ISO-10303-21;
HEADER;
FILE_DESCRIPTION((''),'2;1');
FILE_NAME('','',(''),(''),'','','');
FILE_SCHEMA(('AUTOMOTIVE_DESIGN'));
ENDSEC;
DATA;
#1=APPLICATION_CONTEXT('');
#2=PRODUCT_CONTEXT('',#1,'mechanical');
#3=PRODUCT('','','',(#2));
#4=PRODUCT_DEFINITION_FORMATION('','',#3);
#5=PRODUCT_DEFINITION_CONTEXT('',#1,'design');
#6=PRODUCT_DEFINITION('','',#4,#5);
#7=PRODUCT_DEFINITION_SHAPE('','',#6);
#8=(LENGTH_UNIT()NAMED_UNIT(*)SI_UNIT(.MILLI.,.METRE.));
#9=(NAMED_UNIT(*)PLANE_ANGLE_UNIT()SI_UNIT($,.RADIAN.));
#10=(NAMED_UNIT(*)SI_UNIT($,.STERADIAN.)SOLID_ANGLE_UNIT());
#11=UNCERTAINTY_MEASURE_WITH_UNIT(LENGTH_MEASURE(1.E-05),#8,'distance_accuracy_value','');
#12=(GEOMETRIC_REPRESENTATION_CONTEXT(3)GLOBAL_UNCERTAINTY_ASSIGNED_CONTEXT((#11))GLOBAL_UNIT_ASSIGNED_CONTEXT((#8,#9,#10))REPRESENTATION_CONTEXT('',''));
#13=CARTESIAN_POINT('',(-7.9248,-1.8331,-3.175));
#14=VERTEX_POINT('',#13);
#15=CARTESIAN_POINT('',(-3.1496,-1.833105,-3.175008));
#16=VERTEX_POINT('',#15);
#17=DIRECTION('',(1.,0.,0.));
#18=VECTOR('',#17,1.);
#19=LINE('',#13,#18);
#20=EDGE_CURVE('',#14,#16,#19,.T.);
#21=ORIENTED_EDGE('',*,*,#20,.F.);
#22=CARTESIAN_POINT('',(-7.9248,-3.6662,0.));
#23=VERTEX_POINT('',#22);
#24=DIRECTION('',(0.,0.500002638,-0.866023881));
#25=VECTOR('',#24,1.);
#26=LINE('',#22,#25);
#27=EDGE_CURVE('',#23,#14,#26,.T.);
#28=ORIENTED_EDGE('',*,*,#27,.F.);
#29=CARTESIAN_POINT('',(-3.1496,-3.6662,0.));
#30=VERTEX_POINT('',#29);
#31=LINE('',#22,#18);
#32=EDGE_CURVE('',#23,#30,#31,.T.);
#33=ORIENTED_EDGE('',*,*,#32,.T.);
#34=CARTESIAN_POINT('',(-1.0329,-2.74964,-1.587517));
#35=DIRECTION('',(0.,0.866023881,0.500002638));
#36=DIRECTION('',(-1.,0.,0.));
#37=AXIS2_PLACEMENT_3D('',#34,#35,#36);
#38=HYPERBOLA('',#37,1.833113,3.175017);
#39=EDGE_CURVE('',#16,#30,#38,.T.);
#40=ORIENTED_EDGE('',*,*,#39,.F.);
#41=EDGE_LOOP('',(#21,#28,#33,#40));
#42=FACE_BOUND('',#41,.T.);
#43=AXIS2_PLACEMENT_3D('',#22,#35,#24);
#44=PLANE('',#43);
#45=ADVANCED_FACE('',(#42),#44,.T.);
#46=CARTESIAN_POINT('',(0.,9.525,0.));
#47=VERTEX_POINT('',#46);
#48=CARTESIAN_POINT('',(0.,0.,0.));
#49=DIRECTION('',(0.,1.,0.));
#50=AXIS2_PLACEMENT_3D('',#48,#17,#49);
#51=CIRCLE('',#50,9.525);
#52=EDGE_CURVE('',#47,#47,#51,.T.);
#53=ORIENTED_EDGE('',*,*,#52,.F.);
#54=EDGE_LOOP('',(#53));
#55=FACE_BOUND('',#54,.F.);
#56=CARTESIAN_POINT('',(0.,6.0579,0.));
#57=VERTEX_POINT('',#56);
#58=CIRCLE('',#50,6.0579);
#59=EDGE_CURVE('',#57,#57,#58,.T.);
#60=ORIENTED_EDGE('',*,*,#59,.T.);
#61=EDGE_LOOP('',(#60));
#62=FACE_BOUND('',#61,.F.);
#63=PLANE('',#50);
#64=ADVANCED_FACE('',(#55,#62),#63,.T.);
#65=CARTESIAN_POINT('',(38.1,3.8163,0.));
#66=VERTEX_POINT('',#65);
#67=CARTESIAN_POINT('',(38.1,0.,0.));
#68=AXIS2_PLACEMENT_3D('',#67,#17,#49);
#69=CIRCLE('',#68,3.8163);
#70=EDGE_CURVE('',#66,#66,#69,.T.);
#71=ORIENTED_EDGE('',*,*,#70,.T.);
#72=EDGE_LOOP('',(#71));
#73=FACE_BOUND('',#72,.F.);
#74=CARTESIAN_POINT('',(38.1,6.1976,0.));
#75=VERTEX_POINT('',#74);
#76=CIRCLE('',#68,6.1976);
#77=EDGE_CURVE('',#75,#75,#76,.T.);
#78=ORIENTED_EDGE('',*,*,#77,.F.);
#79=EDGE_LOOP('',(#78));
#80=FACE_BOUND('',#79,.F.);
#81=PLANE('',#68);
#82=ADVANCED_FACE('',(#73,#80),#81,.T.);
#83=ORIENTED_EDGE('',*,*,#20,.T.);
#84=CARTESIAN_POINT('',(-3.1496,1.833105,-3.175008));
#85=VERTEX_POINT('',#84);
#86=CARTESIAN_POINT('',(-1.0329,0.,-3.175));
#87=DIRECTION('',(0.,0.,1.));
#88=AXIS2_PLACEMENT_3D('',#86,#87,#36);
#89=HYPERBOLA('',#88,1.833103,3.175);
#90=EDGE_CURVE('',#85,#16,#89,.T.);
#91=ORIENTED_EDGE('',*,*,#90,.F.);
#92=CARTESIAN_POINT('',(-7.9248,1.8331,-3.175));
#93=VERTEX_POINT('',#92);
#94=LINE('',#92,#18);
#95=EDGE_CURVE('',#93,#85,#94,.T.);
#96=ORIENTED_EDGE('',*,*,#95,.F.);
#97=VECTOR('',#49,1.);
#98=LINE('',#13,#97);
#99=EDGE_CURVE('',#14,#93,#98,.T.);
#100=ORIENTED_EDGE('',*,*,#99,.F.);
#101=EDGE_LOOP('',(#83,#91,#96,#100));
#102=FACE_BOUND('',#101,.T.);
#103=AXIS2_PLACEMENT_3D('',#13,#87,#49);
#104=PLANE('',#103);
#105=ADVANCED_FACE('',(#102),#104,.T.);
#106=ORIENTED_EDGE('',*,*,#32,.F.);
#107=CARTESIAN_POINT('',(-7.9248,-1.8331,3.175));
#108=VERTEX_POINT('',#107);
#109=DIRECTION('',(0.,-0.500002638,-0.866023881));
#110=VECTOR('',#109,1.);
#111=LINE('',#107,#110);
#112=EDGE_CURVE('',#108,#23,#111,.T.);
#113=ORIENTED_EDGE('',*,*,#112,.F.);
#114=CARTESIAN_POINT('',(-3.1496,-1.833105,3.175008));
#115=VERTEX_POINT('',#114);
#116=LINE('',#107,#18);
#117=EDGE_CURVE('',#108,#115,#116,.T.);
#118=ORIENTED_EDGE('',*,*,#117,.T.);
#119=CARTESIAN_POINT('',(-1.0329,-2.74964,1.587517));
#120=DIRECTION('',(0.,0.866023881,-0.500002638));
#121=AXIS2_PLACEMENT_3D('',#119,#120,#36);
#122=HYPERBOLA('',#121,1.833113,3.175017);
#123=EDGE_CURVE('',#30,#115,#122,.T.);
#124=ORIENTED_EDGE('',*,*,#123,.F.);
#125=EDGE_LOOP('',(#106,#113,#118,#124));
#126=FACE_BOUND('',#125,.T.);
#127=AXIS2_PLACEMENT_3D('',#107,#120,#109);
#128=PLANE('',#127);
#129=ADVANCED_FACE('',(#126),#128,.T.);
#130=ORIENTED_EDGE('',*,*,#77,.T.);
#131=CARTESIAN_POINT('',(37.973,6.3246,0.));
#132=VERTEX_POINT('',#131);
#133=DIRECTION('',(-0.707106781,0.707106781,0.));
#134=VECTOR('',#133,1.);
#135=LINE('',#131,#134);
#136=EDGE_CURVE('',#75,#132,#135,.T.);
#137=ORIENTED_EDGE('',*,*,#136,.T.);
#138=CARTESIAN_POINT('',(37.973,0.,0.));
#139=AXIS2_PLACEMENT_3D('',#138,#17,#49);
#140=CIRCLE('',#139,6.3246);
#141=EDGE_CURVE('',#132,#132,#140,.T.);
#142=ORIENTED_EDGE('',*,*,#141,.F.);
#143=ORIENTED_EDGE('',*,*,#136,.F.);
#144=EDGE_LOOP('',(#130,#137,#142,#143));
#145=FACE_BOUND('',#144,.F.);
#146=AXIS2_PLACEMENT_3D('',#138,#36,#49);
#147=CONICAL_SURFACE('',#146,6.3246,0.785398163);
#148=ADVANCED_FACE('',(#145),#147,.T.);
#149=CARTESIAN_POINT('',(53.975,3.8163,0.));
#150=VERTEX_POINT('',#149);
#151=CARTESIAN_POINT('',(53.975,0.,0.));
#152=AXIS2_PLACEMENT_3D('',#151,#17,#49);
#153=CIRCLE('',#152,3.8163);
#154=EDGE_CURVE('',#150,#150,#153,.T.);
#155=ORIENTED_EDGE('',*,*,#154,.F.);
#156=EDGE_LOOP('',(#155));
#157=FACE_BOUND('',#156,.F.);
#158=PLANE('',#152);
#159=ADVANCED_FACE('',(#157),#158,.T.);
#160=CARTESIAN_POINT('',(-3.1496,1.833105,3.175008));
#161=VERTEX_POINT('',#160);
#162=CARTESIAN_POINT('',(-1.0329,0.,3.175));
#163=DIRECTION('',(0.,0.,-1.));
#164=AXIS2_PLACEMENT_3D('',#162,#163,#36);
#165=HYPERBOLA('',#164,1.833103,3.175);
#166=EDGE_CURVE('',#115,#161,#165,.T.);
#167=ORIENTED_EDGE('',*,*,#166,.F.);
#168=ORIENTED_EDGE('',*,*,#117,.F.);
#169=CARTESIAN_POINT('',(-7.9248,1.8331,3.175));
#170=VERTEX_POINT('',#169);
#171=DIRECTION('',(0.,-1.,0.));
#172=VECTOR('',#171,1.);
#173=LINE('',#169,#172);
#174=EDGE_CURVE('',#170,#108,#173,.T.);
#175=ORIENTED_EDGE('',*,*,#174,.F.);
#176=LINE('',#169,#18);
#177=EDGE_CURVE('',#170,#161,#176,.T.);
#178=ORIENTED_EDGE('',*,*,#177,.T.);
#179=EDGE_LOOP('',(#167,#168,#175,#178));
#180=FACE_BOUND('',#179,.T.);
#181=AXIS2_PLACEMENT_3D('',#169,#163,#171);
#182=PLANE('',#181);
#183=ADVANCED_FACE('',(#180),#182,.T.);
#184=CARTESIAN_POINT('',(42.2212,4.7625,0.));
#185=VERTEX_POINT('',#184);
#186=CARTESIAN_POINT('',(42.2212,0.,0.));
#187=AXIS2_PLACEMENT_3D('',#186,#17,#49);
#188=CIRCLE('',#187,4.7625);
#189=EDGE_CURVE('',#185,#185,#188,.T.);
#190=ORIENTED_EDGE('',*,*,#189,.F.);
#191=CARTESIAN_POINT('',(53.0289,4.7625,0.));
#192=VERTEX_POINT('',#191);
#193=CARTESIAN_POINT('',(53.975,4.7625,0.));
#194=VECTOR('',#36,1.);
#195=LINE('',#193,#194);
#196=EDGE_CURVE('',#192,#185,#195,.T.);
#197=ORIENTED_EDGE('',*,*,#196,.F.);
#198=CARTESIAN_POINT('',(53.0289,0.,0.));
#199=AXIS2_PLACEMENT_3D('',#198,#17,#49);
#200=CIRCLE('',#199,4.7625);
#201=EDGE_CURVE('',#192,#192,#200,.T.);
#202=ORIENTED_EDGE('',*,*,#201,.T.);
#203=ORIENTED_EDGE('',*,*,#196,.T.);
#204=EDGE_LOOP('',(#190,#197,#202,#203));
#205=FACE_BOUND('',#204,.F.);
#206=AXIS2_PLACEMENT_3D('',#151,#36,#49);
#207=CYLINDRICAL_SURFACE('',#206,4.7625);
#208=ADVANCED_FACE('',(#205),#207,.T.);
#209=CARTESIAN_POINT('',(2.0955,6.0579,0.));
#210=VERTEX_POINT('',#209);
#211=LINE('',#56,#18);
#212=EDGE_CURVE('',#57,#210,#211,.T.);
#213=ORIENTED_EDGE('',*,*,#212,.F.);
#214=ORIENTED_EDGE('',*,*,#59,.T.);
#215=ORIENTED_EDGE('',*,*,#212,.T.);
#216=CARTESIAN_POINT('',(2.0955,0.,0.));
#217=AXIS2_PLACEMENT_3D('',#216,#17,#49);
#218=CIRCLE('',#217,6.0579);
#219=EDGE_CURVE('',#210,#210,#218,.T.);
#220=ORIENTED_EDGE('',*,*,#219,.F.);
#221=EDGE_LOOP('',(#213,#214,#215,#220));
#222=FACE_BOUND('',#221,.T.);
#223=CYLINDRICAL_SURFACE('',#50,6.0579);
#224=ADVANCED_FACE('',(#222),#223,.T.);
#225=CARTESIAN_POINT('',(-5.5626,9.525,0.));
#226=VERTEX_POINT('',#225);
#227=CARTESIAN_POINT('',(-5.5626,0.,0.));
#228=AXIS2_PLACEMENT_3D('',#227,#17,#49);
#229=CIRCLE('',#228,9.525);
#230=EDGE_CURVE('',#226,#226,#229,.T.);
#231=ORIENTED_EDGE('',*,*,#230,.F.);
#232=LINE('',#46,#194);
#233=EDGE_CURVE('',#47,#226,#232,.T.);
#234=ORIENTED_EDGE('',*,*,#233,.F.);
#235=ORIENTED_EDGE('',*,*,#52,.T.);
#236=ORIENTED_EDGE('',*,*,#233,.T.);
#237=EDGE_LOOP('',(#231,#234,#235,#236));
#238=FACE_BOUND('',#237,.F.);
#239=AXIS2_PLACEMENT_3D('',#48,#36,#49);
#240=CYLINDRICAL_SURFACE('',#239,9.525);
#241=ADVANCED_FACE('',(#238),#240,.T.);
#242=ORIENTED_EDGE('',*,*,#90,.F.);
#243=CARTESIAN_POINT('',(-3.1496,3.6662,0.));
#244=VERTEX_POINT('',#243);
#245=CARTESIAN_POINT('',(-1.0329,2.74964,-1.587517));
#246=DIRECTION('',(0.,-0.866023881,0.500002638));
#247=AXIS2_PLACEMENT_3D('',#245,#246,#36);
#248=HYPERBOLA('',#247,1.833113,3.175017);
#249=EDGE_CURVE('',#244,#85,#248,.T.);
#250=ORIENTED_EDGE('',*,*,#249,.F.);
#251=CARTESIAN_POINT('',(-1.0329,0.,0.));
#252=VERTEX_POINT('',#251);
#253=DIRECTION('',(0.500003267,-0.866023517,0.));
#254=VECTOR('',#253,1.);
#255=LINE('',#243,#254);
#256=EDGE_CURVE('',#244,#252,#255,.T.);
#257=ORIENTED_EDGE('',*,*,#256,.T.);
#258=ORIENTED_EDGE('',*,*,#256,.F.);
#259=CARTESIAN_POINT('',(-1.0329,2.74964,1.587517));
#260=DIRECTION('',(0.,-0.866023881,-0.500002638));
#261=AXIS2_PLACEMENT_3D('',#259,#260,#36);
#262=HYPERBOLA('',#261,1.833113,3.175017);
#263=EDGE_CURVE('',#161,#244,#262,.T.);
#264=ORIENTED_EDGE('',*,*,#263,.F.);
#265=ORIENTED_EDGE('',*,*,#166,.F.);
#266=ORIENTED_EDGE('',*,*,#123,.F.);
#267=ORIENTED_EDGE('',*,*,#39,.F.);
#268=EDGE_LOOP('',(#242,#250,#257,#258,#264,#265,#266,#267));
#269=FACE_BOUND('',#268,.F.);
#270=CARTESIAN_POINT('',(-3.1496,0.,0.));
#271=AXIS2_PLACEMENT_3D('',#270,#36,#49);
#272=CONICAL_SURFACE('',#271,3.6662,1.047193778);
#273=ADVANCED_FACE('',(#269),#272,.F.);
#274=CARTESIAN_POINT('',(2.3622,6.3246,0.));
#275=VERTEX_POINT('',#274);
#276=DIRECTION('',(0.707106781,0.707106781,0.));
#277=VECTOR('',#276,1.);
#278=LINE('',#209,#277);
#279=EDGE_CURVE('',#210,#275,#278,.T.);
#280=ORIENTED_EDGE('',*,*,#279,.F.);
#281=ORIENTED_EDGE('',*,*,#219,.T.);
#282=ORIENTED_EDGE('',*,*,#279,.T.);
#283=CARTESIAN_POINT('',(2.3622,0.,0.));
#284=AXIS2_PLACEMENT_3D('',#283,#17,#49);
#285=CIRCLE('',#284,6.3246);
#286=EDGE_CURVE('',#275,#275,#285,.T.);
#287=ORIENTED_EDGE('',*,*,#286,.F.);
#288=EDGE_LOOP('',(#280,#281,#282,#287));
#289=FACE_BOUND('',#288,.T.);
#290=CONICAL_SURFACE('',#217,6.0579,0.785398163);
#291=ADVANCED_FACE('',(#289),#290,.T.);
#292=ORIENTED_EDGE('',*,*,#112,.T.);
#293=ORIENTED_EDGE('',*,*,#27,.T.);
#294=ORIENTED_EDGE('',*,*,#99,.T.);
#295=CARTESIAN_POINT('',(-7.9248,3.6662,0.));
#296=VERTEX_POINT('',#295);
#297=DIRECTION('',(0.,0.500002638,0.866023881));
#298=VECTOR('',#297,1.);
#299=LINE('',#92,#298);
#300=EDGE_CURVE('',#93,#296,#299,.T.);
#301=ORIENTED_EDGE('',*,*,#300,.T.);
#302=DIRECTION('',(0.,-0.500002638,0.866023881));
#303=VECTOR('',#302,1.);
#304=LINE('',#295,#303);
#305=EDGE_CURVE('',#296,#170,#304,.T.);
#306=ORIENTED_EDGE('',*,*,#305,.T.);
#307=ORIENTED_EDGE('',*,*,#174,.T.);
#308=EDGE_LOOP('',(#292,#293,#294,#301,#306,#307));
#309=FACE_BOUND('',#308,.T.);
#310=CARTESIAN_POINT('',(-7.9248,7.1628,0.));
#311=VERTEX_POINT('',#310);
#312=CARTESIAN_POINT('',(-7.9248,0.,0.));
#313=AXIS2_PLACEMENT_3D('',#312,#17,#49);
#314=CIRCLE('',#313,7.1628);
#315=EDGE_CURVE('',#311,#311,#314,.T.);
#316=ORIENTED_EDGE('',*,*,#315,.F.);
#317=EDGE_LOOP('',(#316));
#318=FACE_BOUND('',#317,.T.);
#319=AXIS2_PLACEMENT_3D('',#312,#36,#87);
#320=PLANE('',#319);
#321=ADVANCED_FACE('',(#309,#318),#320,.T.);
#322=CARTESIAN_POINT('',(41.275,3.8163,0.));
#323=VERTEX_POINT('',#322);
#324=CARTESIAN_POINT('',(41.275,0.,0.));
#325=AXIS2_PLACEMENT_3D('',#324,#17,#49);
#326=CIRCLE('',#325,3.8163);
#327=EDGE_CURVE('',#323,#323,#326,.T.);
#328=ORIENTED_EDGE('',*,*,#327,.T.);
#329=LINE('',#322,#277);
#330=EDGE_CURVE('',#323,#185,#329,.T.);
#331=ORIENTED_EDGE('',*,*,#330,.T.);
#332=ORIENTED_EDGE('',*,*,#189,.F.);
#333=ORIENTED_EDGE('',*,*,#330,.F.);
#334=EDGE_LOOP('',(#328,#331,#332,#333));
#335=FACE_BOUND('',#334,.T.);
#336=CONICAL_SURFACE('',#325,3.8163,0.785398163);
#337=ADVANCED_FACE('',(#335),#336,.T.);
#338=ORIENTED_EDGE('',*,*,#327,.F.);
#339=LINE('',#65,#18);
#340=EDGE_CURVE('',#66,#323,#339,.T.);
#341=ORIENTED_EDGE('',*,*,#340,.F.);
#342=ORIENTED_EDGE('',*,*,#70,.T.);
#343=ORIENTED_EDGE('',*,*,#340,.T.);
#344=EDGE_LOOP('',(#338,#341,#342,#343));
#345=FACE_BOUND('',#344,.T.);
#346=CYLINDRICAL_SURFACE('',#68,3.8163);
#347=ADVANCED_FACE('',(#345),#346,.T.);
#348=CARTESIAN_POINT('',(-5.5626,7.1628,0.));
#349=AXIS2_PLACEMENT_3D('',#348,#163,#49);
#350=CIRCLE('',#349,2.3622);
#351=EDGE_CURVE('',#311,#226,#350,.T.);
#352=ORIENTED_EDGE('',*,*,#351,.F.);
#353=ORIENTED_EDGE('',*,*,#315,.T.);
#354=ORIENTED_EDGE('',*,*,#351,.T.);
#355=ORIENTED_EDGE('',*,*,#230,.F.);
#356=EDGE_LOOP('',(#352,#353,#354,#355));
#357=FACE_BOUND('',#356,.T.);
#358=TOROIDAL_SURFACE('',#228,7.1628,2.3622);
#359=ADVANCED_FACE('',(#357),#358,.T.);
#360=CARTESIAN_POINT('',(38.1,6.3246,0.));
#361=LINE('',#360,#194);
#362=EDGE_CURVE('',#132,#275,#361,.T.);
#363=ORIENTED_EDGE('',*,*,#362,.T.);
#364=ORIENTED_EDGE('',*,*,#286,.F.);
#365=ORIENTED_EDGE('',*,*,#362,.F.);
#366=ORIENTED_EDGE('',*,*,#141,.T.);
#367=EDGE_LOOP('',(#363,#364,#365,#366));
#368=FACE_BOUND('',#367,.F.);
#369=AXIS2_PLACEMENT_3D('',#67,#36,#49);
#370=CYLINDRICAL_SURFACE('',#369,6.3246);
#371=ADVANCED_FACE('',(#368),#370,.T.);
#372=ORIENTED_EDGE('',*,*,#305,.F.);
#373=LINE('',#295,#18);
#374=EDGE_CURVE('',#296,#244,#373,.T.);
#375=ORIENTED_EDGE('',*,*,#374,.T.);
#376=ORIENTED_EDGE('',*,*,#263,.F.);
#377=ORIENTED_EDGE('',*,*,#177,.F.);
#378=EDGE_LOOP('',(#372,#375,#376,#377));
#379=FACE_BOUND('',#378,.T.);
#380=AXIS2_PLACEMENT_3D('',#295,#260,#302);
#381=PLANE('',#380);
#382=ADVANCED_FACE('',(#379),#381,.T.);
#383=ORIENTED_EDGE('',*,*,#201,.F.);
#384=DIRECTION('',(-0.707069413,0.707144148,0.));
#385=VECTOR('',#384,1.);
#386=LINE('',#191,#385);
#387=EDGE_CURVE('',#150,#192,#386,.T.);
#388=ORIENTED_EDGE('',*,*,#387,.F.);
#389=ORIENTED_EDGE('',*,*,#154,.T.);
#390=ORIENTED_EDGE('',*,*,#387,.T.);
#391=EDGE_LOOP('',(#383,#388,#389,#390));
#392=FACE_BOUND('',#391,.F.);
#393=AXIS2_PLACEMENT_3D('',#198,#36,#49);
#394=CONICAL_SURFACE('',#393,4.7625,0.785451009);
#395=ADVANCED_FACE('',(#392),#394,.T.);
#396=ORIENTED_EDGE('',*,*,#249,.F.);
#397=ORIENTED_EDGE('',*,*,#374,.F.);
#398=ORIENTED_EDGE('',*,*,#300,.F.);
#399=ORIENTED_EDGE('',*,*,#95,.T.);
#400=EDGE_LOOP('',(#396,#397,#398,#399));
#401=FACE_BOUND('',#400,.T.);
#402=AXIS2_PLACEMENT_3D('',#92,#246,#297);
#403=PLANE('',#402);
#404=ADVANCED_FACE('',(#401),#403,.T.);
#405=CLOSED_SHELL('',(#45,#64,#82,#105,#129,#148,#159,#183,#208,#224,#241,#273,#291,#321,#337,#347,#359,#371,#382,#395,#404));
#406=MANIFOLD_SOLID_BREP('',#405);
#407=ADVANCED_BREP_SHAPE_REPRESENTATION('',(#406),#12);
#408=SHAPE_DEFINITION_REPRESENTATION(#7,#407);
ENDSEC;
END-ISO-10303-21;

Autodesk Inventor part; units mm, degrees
ref_plane "YZ Plane" through (0, 0, 0) normal (1, 0, 0) x (0, 1, 0)
ref_plane "XZ Plane" through (0, 0, 0) normal (0, 1, 0) x (-1, 0, 0)
ref_plane "XY Plane" through (0, 0, 0) normal (0, 0, 1) x (1, 0, 0)
sketch "Sketch1" plane through (0, 0, 0) normal (0, 0, 1) x (1, 0, 0)
  line L0 (-1.0329, 0) -> (53.975, 0)
  line L1 (53.975, 0) -> (53.975, 4.7625)
  line L2 (53.975, 4.7625) -> (38.1, 4.7625)
  line L3 (38.1, 4.7625) -> (38.1, 6.3246)
  line L4 (38.1, 6.3246) -> (0, 6.3246)
  line L5 (0, 6.3246) -> (0, 9.525)
  line L6 (0, 9.525) -> (-7.9248, 9.525)
  line L7 (-7.9248, 9.525) -> (-7.9248, 3.6662)
  line L8 (-7.9248, 3.6662) -> (-3.1496, 3.6662)
  line L9 (-3.1496, 3.6662) -> (-1.0329, 0)
  line L10 (-20.3048, 0) -> (66.355, 0) projected
  line L11 (0, -1.905) -> (0, 11.43) projected
  line L12 (0, 6.0579) -> (2.0955, 6.0579)
  line L13 (2.0955, 6.0579) -> (2.3622, 6.3246)
  line L14 (38.1, 4.7625) -> (38.1, 3.8163)
  line L15 (38.1, 3.8163) -> (41.275, 3.8163)
  line L16 (41.275, 3.8163) -> (42.2212, 4.7625)
  line L17 (0, 6.0579) -> (0, 6.3246)
  dimension "d0" = 9.525
  dimension "d1" = 12.6492
  dimension "d2" = 19.05
  dimension "d3" = 7.3323
  dimension "d5" = 15.875
  dimension "d6" = 7.9248
  dimension "d7" = 4.7752
  dimension "d8" = 60
  dimension "d9" = 53.975
  dimension "d19" = 45
  dimension "d20" = 12.1158
  dimension "d21" = 7.6327
  dimension "d22" = 45
  dimension "d23" = 3.175
  dimension "d34" = 2.3622
revolve "Body" add sketch "Sketch1" angle 360 about axis through (-1.0329, 0, 0) along (1, 0, 0)
sketch "Sketch2" plane through (-7.9248, 0, 0) normal (-1, 0, 0) x (0, 0, 1)
  circle A0 centre (0, 0) radius 3.6662 projected
  line L0 (0, 3.6662) -> (3.175, 1.8331)
  line L1 (3.175, 1.8331) -> (3.175, -1.8331)
  line L2 (3.175, -1.8331) -> (0, -3.6662)
  line L3 (0, -3.6662) -> (-3.175, -1.8331)
  line L4 (-3.175, -1.8331) -> (-3.175, 1.8331)
  line L5 (-3.175, 1.8331) -> (0, 3.6662)
extrude "Slot" add sketch "Sketch2" against normal up to next contours A0 L1 | L0 A0 | A0 L2 | L5 A0 | A0 L3 | L4 A0
fillet "Fillet1" radius 2.3622 1 edges at (-7.9248, -9.525, 0)
thread "Thread" size "3/8-16 UNC" class "2A" standard "ANSI Unified Screw Threads" length 15.875
chamfer "Chamfer1" distance 0.9462 distance2 0.9461 1 edges at (53.975, -4.7625, 0) measured on face at (53.975, 0.1637, 0.4316)
chamfer "Chamfer2" distance 0.127 angle 45 1 edges at (38.1, -6.3246, 0) measured on face at (38.1, 5.6965, -0.8844)
revolve "Groove1" cut sketch "Sketch1" angle 360 about axis through (-1.0329, 0, 0) along (1, 0, 0) contours L11 L4 L13 L12
revolve "Groove2" cut sketch "Sketch1" angle 360 about axis through (-1.0329, 0, 0) along (1, 0, 0) contours L16 L15 L14 L2
equation "\"d0\" = NND"
equation "\"d1\" = BDM"
equation "\"d2\" = KOD"
equation "\"d3\" = 1.1547 * SW"
equation "\"d5\" = GEL"
equation "\"d6\" = KOH"
equation "\"d7\" = INTI + LOTI"
equation "\"d8\" = 0.5 * ANG"
equation "\"d9\" = NLG"
equation "\"d19\" = FAWI4"
equation "\"d20\" = BDMM"
equation "\"d21\" = GD1"
equation "\"d22\" = FAWI2"
equation "\"d23\" = GAL"
equation "\"d34\" = GAL2"
equation "\"d13\" = RR"
equation "\"d25\" = GEL"
equation "\"d14\" = -0.5 * SPD + 0.5 * NND"
equation "\"d15\" = GUL"
equation "\"d32\" = -0.5 * NND + 0.5 * BDM"
equation "\"NND\" = 9.525"
equation "\"NLG\" = 53.975"
equation "\"GEL\" = 15.875"
equation "\"KOD\" = 19.05"
equation "\"KOH\" = 7.9248"
equation "\"INTI\" = 4.7752"
equation "\"GAL\" = 3.175"
equation "\"GUL\" = 0.94615"
equation "\"SPD\" = GD1"
equation "\"BDM\" = 12.6492"
equation "\"ANG\" = 120deg"
equation "\"FAWI2\" = 45deg"
equation "\"FAWI3\" = 45deg"
equation "\"FAWI4\" = 45deg"
equation "\"RR\" = 2.3622"
equation "\"SW\" = 6.35"
equation "\"BDMM\" = 12.1158"
equation "\"GAL2\" = RR"
equation "\"LOTI\" = 0"
equation "\"GD1\" = 7.6327"
equation "\"BOR\" = SW"
equation "\"SLG\" = 38.1"
equation "\"THREADDIA\" = 9.525"
equation "\"E0\" = 1.155 * SW"
equation "\"FAWI1\" = 45deg"
equation "\"TOA\" = 30deg"
equation "\"PHH\" = RR"
equation "\"HHPTC\" = 1.5875"
equation "\"GD0\" = 7.3914"
equation "\"KOH1\" = 6.6548"
equation "\"BDMN\" = 12.7"
properties part number "ANSI B18.3 - 0.500 x 1.5 ANSI B18.3" material "Steel, Mild"
